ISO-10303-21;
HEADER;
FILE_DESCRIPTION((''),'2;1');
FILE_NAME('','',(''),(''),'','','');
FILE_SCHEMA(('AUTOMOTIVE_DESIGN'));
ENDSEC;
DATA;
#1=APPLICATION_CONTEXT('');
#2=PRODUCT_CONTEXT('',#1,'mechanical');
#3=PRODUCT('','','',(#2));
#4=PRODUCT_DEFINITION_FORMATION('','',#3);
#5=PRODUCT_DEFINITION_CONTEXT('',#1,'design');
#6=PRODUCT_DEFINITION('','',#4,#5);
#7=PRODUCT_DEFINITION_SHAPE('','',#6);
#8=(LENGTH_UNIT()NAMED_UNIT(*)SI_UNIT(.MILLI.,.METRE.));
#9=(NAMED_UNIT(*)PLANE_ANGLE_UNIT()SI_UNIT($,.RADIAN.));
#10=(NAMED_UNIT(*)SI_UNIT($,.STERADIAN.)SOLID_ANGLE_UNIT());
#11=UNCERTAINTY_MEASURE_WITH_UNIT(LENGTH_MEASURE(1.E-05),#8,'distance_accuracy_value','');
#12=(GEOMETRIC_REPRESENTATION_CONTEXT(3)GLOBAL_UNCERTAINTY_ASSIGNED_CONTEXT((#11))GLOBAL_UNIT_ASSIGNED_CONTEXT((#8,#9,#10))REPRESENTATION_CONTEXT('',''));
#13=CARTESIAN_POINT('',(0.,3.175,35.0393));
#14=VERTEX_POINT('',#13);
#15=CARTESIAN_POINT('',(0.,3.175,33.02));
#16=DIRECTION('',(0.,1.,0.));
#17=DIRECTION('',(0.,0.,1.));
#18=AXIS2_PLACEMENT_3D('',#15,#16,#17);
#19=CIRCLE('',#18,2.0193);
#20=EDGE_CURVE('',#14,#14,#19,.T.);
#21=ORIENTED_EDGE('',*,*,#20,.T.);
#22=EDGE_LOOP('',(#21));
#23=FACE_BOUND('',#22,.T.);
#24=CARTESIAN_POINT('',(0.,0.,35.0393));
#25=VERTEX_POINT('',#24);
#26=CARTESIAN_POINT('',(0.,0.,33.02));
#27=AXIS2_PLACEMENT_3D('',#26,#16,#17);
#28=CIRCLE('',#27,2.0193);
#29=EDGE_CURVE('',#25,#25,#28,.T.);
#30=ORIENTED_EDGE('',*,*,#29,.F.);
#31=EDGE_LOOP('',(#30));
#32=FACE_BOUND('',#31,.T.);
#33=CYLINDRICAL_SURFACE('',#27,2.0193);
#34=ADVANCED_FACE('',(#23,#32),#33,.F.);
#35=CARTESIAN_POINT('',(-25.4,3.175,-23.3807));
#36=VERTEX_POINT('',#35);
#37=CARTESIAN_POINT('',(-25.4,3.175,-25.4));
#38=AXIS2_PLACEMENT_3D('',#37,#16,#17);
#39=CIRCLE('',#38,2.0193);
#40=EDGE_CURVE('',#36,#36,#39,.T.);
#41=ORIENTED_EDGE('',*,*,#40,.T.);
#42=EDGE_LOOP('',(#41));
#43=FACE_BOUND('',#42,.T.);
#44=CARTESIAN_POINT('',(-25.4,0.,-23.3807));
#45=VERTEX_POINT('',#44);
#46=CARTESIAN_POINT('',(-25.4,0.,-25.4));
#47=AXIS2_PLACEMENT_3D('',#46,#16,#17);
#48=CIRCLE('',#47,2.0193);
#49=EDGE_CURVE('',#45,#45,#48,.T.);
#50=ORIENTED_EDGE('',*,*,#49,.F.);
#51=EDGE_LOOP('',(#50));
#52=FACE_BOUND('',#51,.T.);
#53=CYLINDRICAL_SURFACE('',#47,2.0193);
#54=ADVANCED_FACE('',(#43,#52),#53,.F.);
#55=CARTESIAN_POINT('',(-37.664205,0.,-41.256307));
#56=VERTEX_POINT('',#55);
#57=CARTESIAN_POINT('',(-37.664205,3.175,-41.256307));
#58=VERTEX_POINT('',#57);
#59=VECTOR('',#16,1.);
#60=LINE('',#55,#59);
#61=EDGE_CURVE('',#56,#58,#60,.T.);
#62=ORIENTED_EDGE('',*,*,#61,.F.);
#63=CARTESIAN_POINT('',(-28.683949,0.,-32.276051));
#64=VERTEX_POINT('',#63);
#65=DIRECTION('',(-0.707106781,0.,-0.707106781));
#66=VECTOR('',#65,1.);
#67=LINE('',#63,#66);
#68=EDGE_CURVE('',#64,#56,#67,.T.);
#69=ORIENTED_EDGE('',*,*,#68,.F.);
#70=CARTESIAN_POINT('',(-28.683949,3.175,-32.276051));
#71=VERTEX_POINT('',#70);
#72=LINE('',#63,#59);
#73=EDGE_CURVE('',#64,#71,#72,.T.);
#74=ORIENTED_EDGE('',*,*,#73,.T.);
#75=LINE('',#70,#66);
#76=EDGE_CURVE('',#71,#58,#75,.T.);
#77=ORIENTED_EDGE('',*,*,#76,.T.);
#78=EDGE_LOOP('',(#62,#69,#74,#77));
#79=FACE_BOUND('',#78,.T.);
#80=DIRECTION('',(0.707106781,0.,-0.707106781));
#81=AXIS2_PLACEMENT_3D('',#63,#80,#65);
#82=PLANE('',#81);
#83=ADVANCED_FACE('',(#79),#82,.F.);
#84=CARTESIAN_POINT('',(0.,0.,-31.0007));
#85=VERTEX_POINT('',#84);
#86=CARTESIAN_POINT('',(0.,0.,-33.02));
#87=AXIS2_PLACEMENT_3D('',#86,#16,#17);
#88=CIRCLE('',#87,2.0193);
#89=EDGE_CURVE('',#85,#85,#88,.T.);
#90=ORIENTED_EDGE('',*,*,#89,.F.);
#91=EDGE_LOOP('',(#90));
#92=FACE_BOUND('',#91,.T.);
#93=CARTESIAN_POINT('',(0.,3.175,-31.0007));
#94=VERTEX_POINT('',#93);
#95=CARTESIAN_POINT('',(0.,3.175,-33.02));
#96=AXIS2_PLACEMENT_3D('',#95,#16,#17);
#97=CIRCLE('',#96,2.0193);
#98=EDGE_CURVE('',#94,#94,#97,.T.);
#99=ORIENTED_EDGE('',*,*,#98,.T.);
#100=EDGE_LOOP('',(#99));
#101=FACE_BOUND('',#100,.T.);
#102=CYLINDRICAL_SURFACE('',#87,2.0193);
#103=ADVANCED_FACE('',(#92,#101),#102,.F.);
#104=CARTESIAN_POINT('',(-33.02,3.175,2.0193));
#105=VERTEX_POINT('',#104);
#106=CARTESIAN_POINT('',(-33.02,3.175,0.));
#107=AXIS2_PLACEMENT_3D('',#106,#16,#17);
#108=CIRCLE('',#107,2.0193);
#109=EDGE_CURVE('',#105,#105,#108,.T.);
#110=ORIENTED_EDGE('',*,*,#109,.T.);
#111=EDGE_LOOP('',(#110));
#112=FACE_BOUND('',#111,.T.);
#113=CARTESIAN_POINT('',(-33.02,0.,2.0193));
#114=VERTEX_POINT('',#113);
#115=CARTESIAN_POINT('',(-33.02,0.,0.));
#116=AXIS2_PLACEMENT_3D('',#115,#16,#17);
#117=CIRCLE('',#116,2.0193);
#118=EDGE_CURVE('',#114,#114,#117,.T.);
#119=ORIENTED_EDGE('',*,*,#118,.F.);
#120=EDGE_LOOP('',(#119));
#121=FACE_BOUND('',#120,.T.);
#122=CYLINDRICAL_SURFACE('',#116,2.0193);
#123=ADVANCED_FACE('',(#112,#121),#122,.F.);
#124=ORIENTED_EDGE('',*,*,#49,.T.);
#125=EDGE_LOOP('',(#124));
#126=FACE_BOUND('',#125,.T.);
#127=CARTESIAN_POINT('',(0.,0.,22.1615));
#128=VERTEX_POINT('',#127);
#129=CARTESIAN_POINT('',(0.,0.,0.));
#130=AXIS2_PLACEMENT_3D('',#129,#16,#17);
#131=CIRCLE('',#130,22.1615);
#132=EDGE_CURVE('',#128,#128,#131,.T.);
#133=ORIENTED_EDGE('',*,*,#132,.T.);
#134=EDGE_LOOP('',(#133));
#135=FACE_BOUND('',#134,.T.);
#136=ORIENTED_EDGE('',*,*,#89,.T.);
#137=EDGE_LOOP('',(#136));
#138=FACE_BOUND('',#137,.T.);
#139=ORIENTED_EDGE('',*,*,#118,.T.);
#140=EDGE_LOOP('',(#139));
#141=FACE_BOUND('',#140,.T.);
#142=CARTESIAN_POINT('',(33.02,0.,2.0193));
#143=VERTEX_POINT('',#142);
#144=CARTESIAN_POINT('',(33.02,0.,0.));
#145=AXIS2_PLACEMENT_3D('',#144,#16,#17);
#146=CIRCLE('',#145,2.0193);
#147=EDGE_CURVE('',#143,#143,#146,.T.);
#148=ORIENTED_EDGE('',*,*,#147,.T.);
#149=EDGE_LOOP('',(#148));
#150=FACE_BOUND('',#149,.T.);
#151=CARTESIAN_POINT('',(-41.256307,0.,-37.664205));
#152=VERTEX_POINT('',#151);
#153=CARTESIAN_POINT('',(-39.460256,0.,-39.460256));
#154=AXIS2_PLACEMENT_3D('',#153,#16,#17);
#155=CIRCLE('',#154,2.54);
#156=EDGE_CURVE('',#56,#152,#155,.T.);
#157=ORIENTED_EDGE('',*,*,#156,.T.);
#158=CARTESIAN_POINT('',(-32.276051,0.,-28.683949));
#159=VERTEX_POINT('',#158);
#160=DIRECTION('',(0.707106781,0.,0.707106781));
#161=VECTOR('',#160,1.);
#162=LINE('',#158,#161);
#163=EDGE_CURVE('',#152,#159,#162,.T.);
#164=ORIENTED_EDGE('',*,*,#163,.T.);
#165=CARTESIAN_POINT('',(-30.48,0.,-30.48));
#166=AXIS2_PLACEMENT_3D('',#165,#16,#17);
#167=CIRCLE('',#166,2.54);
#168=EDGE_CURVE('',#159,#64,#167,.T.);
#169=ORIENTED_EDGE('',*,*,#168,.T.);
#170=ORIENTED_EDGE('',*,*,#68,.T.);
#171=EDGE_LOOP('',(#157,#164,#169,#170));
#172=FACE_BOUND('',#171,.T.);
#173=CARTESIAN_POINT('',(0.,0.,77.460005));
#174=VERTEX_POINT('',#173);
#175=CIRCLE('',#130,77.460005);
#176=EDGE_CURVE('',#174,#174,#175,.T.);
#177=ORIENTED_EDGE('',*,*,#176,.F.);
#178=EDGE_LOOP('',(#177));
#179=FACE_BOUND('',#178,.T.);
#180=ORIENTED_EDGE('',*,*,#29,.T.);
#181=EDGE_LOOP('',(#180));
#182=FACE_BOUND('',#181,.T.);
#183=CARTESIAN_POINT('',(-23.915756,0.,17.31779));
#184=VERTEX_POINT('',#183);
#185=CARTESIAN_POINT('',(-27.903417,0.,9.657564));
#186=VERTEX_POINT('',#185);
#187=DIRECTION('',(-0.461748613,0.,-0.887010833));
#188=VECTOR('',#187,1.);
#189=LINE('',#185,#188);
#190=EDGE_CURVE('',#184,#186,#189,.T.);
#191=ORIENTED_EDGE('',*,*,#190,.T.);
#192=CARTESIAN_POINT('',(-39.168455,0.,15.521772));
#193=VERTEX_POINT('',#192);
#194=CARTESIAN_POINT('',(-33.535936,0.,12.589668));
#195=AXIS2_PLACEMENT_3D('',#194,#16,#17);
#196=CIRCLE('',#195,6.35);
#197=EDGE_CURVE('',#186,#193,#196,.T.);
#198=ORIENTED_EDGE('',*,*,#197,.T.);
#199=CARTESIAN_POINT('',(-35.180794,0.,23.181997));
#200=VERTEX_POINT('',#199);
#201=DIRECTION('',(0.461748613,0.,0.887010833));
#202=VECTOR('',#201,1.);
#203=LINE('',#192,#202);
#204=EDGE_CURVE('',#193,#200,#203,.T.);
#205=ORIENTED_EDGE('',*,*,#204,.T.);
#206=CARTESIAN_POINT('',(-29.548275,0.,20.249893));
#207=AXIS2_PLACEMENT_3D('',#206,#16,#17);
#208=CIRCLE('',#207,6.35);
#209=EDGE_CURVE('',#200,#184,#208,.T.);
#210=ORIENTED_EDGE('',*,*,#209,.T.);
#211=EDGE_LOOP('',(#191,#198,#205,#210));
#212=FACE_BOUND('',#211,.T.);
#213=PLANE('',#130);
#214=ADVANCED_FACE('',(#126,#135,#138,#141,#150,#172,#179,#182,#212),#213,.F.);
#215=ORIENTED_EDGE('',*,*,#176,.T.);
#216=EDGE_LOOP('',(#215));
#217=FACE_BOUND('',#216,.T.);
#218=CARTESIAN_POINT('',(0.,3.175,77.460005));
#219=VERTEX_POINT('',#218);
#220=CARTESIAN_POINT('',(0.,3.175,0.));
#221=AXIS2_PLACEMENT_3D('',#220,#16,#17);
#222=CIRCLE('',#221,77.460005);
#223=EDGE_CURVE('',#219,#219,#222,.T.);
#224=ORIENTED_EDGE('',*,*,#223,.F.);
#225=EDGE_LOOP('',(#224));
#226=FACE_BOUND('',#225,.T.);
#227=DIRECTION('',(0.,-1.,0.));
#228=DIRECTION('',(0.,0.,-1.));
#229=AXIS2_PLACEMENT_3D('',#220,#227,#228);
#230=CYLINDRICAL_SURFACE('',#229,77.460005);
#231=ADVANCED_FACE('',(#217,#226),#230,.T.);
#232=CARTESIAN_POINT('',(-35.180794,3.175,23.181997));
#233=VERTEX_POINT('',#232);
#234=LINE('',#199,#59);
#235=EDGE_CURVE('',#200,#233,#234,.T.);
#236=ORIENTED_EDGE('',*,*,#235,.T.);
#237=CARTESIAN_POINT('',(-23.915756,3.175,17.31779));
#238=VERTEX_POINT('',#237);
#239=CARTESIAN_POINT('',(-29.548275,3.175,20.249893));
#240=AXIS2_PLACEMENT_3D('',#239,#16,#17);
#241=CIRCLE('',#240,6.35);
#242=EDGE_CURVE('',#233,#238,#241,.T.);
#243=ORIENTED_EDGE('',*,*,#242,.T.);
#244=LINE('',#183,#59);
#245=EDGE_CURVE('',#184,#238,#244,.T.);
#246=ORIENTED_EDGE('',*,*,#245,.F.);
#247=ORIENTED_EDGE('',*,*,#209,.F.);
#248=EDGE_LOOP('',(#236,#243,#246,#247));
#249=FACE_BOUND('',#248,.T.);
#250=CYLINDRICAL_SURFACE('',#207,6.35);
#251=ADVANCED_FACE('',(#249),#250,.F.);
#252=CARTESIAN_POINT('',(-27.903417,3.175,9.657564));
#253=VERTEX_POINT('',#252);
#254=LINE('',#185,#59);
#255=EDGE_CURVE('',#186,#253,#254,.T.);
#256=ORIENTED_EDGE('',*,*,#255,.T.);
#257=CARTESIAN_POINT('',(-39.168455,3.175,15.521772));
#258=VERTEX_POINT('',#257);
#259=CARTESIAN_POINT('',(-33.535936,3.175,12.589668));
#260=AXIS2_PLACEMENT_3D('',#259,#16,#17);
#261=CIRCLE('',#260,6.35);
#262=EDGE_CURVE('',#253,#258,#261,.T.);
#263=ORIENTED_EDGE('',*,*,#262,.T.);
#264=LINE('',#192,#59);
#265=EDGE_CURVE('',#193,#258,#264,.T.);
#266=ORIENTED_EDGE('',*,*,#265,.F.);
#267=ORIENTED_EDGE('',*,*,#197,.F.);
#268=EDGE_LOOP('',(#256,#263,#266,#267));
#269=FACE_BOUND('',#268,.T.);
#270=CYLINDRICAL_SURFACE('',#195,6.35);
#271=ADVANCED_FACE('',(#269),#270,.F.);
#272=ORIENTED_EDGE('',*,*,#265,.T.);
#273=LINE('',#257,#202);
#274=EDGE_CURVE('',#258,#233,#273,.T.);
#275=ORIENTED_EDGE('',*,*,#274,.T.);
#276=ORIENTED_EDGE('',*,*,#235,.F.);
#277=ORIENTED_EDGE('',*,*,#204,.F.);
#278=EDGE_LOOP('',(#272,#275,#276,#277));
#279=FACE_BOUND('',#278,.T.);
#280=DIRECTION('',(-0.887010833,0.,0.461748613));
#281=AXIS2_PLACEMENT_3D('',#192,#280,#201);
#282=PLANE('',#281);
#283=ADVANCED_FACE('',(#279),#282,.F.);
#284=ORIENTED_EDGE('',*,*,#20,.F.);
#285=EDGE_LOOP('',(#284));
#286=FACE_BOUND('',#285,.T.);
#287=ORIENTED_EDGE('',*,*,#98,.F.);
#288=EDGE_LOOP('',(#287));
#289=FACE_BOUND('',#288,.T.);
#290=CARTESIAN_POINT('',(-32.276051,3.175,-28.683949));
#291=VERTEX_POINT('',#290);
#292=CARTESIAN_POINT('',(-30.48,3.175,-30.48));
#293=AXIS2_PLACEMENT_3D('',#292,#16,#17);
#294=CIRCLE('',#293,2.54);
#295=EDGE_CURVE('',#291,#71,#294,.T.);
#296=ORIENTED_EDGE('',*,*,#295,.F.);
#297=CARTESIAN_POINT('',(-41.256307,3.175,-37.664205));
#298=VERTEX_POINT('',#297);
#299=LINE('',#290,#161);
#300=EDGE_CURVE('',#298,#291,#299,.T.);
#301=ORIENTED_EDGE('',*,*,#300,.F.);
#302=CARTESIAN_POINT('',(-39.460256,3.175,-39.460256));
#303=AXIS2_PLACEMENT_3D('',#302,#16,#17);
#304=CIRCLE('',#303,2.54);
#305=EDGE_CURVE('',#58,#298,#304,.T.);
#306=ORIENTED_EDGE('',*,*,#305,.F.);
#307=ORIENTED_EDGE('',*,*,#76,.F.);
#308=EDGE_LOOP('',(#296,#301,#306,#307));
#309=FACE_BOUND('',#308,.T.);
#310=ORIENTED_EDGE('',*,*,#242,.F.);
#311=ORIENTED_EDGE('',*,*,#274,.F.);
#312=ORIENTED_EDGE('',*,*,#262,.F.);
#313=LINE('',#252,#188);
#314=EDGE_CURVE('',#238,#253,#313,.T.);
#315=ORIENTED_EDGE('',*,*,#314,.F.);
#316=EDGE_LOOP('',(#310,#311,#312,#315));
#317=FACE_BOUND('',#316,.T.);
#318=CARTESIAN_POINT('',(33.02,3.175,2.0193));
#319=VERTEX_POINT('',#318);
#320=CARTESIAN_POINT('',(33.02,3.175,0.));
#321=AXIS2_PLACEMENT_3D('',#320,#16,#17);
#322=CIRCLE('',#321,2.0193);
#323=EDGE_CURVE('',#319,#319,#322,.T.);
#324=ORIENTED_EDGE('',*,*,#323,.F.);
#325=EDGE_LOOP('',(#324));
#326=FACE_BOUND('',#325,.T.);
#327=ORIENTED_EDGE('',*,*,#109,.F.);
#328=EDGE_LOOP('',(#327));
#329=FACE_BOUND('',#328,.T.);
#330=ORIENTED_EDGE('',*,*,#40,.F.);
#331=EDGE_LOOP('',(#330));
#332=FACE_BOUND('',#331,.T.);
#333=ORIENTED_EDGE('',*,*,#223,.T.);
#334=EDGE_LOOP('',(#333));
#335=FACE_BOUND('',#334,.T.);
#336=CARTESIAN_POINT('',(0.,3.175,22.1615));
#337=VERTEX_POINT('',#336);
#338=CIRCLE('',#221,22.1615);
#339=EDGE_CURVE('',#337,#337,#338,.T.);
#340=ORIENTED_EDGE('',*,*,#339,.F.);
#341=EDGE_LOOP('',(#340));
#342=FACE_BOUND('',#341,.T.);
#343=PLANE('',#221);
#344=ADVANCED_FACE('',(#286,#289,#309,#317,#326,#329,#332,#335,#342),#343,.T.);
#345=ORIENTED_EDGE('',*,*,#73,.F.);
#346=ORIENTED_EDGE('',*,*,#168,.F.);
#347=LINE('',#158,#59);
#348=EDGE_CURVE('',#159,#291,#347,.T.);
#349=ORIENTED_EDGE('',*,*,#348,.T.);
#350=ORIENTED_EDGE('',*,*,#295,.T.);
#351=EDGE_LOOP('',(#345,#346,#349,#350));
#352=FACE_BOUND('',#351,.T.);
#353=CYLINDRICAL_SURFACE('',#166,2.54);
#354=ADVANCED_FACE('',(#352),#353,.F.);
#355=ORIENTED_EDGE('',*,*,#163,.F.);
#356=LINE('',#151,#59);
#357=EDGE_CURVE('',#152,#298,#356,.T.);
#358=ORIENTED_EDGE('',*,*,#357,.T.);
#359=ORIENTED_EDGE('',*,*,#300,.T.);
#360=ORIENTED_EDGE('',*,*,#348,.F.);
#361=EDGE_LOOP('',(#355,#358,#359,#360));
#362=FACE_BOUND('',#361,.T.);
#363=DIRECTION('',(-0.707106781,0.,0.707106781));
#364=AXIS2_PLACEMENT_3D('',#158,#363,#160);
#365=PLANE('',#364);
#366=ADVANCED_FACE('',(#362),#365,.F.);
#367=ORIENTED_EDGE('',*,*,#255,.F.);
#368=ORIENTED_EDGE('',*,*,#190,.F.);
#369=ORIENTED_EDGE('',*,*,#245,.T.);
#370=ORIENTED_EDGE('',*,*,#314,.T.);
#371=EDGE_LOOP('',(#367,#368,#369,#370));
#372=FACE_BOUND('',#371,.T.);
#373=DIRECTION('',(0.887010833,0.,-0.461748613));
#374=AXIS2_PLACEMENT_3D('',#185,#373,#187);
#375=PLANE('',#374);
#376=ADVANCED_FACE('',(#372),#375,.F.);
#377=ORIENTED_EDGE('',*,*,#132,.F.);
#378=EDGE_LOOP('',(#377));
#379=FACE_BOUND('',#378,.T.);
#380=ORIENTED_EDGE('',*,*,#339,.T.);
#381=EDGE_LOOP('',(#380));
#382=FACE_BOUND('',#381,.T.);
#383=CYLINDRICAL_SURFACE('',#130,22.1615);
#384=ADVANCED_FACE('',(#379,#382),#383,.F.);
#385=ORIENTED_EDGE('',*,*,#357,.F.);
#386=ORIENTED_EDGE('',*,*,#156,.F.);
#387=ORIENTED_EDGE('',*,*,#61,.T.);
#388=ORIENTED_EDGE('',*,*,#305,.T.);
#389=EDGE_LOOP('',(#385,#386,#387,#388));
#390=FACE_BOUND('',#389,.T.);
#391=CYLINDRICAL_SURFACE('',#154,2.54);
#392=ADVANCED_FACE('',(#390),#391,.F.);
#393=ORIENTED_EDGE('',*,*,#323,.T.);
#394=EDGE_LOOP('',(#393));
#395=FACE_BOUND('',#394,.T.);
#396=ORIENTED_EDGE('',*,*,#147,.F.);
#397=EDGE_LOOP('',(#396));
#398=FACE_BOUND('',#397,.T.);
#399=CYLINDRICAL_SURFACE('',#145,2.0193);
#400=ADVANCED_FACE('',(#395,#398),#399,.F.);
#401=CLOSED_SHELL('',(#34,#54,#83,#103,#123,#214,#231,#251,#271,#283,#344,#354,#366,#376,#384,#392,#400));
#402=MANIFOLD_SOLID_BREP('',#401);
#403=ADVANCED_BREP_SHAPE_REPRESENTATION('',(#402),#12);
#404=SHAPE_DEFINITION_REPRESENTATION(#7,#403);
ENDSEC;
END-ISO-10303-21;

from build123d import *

# Parameters (mm, degrees)
SKETCH1_R           = 77.4600051
BOSS_EXTRUDE1_DEPTH = 3.175
SKETCH24_R          = 22.1615
SKETCH24_R_2        = 2.0193
CUT_EXTRUDE14_DEPTH = 110.590991442


with BuildPart() as part:
    # Sketch1 → Boss-Extrude1 (new body)
    with BuildSketch(Plane(origin=(0, 0, 0), x_dir=(1, 0, 0), z_dir=(0, 1, 0))):
        with Locations(Location((0, 0, 0), (0, 0, 270))):
            Circle(SKETCH1_R)
    extrude(amount=BOSS_EXTRUDE1_DEPTH)

    # Sketch24 → Cut-Extrude14 (cut, through all)
    with BuildSketch(Plane(origin=(0, 3.175, 0), x_dir=(1, 0, 0), z_dir=(0, 1, 0))):
        with Locations(Location((0, 0, 0), (0, 0, 270))):
            Circle(SKETCH24_R)
        with Locations(Location((-25.4, 25.4, 0), (0, 0, 270))):
            Circle(SKETCH24_R_2)
        with Locations(Location((0, 33.02, 0), (0, 0, 270))):
            Circle(SKETCH24_R_2)
        with Locations(Location((33.02, 0, 0), (0, 0, 270))):
            Circle(SKETCH24_R_2)
        with Locations(Location((0, -33.02, 0), (0, 0, 270))):
            Circle(SKETCH24_R_2)
        with Locations(Location((-33.02, 0, 0), (0, 0, 270))):
            Circle(SKETCH24_R_2)
        with BuildLine():
            Line((-32.276051224, 28.683948776), (-41.256307345, 37.664204897))
            ThreePointArc((-41.256307345, 37.664204897), (-41.256307345, 41.256307345), (-37.664204897, 41.256307345))
            Line((-37.664204897, 41.256307345), (-28.683948776, 32.276051224))
            ThreePointArc((-28.683948776, 32.276051224), (-28.683948776, 28.683948776), (-32.276051224, 28.683948776))
        make_face()
        with BuildLine():
            Line((-27.903416949, -9.657564215), (-23.915755925, -17.31778977))
            ThreePointArc((-23.915755925, -17.31778977), (-26.616171022, -25.882412255), (-35.180793507, -23.181997158))
            Line((-35.180793507, -23.181997158), (-39.16845453, -15.521771603))
            ThreePointArc((-39.16845453, -15.521771603), (-36.468039434, -6.957149118), (-27.903416949, -9.657564215))
        make_face()
    extrude(amount=-CUT_EXTRUDE14_DEPTH, mode=Mode.SUBTRACT)


solid = part.part
